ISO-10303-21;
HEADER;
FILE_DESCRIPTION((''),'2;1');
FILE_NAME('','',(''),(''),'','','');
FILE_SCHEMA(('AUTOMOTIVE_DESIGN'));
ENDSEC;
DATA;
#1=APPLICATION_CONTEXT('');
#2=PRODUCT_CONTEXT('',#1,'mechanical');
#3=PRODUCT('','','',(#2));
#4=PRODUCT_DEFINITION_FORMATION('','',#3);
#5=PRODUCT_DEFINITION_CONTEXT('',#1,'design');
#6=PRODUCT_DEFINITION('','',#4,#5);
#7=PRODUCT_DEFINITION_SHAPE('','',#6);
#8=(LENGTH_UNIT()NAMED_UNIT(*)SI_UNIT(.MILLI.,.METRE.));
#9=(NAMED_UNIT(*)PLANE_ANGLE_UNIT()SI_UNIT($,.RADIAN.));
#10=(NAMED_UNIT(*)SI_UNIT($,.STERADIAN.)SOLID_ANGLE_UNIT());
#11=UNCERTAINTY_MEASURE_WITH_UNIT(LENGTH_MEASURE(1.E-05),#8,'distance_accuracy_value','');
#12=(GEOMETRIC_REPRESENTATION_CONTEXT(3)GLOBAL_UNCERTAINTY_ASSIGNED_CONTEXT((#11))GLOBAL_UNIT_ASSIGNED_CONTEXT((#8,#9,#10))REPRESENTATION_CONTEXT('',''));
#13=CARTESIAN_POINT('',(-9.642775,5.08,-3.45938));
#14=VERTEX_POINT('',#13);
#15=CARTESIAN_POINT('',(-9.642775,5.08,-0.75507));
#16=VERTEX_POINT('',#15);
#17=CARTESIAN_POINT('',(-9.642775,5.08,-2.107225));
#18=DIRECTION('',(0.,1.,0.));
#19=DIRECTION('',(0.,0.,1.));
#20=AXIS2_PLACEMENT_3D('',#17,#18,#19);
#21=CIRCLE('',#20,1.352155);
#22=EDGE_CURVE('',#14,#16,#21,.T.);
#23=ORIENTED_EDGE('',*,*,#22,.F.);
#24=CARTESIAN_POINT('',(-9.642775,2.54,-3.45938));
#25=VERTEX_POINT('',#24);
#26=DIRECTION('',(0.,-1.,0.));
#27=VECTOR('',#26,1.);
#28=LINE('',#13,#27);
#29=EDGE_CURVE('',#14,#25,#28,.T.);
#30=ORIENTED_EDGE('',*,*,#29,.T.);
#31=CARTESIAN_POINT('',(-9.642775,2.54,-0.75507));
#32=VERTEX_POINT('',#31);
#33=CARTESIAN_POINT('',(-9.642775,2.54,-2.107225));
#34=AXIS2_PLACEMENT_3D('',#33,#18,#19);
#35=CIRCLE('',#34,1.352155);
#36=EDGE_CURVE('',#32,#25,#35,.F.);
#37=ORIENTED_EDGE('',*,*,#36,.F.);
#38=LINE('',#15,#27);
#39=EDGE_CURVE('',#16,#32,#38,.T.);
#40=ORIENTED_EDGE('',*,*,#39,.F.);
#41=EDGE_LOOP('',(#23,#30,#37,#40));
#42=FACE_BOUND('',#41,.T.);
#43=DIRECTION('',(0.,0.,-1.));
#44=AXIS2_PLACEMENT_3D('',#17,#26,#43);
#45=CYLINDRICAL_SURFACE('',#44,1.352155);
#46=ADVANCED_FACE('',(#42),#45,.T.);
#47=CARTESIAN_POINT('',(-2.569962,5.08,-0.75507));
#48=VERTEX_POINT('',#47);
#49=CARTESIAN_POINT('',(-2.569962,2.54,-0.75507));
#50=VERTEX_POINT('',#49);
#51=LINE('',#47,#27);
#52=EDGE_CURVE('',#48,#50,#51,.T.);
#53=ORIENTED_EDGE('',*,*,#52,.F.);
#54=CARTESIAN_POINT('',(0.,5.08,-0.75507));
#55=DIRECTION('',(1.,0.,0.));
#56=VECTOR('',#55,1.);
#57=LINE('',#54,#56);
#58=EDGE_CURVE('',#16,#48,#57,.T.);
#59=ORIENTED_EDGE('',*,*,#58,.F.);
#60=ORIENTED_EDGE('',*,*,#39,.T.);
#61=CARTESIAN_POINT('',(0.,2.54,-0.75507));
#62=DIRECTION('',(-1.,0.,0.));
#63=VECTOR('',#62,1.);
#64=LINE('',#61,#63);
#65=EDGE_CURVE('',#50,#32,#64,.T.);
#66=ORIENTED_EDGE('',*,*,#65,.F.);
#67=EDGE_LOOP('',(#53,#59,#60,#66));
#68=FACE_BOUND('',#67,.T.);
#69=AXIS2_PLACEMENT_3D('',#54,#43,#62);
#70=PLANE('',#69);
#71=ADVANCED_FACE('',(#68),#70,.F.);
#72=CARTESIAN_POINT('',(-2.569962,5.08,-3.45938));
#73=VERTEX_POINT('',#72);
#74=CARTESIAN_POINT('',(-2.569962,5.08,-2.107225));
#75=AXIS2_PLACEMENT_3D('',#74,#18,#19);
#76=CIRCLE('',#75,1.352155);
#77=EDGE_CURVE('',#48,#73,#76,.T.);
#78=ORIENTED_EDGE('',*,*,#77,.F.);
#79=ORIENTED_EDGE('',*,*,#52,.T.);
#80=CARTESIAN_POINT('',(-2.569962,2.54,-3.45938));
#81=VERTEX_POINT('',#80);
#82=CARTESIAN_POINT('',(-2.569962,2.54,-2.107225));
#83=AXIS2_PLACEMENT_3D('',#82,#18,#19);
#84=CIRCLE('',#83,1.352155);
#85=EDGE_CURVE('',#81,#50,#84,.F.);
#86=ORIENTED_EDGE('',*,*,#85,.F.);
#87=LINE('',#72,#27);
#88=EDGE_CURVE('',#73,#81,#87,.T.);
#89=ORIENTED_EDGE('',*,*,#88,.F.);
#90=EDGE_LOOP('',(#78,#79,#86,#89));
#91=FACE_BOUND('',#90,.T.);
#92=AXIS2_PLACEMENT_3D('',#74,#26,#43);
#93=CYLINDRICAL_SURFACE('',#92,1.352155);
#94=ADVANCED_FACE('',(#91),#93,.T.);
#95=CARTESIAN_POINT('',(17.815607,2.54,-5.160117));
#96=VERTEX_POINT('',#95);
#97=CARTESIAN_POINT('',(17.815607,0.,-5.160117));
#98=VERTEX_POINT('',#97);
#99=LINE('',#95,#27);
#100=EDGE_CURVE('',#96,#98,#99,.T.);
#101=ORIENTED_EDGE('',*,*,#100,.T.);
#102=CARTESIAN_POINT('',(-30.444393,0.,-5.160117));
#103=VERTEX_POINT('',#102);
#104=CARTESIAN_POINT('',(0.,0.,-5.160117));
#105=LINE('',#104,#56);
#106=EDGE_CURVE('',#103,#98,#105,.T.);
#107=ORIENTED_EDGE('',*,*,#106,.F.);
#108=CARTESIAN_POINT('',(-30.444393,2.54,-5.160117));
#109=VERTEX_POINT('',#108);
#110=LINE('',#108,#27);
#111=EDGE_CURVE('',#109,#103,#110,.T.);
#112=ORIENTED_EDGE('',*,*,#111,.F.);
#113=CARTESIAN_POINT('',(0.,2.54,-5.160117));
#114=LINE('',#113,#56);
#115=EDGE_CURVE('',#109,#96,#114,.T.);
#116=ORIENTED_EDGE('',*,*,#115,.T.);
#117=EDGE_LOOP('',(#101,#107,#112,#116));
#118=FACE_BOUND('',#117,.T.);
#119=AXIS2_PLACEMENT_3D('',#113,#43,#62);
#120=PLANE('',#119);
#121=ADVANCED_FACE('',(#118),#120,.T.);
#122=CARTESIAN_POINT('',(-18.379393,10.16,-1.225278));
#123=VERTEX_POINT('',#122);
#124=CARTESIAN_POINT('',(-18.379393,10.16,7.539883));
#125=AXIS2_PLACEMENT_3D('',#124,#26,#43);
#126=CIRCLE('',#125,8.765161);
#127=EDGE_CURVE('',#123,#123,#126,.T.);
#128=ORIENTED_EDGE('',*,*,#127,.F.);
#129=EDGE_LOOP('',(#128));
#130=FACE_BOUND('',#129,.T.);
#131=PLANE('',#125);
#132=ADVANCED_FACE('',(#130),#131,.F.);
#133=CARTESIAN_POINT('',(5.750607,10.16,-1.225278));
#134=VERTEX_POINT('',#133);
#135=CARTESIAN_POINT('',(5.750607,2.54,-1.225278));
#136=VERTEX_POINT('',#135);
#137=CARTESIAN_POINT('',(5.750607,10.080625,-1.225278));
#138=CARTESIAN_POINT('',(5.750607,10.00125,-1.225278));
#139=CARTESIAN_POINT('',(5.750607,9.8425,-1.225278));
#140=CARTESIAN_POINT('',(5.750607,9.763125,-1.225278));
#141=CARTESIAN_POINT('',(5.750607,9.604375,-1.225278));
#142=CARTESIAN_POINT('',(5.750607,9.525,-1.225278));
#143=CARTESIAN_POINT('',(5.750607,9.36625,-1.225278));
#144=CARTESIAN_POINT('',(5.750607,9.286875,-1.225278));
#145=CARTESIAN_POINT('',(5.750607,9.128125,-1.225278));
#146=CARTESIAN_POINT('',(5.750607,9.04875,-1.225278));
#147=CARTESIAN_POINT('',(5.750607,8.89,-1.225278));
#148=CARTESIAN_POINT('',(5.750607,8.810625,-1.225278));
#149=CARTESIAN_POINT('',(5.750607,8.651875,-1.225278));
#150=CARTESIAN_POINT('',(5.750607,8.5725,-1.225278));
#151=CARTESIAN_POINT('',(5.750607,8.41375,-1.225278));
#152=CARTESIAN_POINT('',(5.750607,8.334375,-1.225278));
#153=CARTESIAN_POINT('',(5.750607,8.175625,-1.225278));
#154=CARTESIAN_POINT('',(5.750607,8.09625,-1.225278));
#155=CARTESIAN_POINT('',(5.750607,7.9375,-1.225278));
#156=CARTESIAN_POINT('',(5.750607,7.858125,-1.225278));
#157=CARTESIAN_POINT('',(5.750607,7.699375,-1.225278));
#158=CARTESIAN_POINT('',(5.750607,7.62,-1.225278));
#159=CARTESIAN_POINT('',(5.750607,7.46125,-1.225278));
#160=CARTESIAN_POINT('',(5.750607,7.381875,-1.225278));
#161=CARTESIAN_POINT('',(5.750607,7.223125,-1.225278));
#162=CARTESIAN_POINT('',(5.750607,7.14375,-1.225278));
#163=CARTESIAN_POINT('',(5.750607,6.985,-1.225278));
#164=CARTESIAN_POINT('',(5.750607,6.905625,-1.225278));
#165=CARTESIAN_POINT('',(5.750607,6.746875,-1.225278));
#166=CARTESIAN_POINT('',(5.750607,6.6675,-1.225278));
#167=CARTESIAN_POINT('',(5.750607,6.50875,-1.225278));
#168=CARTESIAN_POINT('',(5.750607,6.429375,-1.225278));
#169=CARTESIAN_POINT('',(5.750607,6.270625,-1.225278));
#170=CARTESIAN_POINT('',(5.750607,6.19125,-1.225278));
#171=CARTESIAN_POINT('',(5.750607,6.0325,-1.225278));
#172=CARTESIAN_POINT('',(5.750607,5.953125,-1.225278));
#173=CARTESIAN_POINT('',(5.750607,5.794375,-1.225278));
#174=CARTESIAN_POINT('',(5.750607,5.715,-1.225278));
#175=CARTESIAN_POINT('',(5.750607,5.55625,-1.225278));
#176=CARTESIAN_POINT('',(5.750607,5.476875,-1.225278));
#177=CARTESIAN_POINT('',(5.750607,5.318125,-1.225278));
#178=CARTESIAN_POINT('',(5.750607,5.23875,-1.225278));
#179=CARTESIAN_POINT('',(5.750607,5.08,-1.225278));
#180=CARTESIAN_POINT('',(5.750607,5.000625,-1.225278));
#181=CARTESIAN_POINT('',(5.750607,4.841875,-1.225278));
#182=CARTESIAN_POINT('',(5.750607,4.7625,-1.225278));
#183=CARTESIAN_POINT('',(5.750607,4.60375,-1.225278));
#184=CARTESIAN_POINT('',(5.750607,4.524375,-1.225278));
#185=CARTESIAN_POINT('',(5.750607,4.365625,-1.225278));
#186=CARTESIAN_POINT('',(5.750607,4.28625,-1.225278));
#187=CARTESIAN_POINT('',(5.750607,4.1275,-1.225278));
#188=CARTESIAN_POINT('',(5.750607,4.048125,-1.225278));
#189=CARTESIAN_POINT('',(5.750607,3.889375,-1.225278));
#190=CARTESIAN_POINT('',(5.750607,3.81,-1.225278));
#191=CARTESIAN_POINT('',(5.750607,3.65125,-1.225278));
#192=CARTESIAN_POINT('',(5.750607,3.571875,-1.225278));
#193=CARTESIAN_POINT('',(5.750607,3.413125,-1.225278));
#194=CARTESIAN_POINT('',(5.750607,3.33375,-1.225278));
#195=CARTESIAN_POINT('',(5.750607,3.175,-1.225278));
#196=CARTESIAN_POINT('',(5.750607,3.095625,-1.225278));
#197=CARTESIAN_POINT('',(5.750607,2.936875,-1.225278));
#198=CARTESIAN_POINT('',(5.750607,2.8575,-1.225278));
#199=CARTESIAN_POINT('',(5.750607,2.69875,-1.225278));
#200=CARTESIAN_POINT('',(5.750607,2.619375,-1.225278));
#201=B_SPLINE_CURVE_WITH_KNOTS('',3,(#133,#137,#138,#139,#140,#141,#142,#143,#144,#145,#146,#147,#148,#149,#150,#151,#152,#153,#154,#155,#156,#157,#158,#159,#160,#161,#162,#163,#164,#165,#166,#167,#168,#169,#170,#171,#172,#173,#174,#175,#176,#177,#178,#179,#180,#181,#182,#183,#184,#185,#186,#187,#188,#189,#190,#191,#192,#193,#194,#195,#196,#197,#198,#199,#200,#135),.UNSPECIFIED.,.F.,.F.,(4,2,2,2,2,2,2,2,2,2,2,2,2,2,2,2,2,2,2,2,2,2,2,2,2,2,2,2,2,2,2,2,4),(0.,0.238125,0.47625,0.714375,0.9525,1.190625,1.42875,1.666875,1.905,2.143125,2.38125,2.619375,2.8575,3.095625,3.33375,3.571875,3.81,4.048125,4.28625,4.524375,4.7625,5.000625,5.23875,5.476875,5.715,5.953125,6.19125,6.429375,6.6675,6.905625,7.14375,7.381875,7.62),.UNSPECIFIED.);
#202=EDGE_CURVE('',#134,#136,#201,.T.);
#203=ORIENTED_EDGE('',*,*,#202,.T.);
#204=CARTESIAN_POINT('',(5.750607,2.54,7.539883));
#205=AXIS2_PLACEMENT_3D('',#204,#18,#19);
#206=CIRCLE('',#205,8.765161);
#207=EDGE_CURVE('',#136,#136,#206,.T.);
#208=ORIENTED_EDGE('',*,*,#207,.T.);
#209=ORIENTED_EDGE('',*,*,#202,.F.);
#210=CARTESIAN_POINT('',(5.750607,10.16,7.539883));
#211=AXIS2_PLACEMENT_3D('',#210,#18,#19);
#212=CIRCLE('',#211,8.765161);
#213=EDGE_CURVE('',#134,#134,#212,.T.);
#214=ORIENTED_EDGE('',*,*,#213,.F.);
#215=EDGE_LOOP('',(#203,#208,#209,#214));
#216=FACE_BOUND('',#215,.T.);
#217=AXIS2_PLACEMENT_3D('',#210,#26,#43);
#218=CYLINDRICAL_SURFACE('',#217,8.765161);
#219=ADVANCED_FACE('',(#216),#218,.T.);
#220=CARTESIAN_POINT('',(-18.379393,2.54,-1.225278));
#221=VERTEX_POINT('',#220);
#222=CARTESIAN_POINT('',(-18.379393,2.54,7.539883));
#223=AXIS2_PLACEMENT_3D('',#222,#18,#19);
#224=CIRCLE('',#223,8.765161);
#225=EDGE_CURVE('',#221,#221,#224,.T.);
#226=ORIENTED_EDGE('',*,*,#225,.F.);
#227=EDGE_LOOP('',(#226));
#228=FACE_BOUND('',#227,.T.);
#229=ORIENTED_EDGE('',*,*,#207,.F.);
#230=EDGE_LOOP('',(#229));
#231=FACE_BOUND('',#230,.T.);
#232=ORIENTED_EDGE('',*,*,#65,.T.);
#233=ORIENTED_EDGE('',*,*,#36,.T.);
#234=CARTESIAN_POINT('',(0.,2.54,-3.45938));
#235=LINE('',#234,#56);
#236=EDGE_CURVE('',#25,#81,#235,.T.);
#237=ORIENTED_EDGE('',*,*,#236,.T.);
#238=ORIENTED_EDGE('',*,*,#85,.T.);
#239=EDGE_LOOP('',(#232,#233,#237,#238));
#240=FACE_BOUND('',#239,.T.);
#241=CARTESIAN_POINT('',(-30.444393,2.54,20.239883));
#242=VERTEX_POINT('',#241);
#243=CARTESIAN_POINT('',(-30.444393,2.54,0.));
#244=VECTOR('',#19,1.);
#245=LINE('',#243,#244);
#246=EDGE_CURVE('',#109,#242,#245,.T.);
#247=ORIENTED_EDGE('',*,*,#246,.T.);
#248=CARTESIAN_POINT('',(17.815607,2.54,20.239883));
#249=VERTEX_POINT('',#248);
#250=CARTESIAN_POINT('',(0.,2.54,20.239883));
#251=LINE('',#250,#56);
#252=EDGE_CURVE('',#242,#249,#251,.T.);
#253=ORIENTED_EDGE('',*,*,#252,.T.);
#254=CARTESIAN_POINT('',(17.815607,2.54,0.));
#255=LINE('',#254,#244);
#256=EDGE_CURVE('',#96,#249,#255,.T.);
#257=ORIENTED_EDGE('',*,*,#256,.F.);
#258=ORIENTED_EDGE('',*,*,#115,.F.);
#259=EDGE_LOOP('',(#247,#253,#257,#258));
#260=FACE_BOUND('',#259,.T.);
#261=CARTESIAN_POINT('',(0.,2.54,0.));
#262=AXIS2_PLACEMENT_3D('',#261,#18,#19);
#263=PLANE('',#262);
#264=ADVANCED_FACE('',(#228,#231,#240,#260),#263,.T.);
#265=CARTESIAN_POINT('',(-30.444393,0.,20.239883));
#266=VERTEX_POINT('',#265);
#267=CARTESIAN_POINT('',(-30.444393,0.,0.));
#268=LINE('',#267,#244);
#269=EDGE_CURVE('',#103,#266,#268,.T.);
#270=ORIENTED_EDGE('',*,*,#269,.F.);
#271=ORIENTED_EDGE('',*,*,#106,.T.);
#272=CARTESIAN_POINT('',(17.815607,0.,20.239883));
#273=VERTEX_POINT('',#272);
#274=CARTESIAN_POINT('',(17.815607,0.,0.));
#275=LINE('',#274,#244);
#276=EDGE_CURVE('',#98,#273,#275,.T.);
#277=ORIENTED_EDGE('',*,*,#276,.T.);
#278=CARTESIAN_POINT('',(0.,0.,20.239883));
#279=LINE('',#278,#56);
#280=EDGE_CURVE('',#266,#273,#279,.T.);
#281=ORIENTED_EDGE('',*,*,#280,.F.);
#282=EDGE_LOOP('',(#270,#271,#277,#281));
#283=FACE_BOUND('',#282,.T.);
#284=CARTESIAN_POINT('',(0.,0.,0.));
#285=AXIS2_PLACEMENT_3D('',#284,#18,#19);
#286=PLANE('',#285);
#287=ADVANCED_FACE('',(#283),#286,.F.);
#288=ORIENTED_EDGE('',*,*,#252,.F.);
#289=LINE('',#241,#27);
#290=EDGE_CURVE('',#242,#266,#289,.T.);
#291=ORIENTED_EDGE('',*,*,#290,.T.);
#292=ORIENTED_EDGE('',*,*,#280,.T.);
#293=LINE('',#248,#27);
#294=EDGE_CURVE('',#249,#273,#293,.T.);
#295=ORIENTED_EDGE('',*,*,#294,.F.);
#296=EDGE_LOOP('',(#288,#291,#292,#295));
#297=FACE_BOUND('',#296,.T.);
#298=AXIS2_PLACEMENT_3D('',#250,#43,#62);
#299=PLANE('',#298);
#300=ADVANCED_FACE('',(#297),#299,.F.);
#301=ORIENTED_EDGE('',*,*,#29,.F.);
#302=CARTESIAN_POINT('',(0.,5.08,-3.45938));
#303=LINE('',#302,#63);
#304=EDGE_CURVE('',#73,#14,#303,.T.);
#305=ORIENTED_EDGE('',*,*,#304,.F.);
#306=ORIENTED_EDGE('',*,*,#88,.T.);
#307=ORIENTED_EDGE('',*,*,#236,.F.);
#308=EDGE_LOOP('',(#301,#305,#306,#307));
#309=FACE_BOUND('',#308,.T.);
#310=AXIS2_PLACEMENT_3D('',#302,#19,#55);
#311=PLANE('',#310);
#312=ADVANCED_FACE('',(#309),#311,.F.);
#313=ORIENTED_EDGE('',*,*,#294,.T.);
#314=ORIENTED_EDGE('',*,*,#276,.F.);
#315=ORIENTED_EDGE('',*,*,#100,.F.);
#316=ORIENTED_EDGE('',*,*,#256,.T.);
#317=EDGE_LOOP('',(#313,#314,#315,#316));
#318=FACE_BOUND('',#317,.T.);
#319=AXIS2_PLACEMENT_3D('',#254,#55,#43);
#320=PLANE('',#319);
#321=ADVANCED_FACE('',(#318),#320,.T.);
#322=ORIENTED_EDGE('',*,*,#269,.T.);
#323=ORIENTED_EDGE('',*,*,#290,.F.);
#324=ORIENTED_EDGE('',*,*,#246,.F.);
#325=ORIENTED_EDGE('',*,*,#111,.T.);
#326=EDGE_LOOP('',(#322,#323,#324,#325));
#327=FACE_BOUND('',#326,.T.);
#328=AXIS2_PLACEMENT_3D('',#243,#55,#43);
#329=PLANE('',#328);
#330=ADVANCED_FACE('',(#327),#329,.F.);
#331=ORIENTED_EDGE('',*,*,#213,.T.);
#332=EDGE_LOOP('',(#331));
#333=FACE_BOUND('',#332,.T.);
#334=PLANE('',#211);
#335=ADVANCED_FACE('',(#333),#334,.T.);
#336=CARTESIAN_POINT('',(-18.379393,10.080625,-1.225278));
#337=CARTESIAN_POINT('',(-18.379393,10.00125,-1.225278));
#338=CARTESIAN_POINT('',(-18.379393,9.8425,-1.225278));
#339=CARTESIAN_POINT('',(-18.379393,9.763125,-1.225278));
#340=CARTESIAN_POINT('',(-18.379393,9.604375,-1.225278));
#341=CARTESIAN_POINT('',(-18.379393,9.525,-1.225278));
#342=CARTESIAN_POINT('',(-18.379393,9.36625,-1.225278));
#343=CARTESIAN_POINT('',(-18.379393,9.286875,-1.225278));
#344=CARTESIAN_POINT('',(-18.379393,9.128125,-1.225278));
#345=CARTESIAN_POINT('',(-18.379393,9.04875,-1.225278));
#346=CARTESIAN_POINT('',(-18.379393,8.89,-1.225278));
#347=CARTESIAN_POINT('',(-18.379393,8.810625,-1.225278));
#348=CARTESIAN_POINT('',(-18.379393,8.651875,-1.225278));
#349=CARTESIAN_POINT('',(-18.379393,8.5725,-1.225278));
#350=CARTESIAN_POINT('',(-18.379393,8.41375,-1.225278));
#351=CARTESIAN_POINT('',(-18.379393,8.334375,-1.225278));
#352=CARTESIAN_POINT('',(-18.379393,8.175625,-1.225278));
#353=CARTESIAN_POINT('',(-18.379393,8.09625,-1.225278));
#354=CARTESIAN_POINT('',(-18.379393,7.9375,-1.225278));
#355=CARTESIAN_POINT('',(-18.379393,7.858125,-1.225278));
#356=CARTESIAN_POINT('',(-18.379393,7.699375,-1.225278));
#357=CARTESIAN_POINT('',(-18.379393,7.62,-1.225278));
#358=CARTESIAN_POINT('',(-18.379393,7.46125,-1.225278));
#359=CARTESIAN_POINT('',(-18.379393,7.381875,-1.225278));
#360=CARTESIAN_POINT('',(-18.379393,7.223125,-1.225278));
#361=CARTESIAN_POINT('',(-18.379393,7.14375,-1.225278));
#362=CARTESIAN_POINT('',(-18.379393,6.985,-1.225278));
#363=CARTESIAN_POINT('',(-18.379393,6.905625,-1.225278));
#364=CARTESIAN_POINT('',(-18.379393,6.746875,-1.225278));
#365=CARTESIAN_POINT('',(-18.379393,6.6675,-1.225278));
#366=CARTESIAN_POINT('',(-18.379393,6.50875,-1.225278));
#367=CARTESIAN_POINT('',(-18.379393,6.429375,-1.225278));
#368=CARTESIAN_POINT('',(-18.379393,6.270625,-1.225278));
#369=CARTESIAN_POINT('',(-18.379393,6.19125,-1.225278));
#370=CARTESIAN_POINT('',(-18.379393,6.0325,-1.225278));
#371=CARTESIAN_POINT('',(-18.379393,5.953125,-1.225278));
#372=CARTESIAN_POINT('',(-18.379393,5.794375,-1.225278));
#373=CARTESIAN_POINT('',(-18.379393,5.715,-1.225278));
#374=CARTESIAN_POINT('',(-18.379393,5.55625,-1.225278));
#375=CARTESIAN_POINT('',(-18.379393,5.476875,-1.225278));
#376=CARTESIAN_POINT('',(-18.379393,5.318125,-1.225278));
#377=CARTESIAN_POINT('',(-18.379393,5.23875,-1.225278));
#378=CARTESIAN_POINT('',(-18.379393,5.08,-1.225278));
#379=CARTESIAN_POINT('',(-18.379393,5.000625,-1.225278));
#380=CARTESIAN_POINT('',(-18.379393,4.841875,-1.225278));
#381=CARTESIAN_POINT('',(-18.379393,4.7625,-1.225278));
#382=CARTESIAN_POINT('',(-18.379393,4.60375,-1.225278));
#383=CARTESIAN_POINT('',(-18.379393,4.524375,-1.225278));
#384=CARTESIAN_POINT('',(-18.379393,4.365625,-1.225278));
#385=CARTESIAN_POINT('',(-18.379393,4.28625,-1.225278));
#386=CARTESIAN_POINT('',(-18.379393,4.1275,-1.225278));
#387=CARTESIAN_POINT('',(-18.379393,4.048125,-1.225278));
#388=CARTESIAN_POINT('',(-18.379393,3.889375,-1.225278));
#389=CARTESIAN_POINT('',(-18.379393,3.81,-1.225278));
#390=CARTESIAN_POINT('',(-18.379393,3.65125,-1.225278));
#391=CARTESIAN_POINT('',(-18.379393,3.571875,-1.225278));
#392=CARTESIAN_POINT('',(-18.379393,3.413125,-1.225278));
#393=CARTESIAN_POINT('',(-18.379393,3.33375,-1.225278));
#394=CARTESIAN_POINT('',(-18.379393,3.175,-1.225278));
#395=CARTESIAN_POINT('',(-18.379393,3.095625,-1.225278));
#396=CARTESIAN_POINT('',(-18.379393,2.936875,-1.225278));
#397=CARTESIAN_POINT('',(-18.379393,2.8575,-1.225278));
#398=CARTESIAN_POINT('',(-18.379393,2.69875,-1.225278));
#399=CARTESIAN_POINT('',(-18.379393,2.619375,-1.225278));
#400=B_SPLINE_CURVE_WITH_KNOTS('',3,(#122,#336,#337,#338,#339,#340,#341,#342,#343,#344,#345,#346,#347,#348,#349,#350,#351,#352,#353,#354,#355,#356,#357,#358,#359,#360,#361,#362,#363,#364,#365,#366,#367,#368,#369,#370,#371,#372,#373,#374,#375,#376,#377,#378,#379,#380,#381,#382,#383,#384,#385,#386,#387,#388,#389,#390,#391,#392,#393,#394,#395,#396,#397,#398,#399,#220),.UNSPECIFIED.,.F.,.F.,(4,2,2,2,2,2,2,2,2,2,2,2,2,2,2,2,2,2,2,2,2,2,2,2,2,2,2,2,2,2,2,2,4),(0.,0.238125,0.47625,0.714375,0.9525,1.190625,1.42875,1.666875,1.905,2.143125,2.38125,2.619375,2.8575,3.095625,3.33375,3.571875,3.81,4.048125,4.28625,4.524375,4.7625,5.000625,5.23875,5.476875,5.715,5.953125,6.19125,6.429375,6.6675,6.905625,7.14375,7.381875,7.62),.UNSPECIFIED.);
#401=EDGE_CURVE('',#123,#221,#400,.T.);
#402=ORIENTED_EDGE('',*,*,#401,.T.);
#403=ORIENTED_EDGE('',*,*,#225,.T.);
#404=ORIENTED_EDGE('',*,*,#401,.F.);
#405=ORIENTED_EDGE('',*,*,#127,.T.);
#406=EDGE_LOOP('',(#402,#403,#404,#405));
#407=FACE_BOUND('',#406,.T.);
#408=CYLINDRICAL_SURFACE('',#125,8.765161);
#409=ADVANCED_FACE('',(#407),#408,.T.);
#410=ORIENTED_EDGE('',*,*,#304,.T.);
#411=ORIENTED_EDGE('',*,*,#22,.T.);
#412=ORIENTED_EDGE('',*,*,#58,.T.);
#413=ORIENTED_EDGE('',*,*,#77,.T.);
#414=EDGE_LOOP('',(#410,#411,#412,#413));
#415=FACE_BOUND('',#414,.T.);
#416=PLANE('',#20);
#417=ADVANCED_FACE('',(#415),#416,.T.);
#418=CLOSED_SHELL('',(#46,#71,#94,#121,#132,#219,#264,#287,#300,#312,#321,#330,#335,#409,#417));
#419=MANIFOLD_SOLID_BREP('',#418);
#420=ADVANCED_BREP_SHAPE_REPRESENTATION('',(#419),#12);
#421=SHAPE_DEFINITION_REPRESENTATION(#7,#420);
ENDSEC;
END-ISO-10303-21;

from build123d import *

# Parameters (mm, degrees)
SKETCH1_W           = 24.13
SKETCH1_H           = 25.4
SKETCH1_R           = 9.145310151
BOSS_EXTRUDE1_DEPTH = 2.54
SKETCH4_R           = 8.765161433
BOSS_EXTRUDE2_DEPTH = 7.62
BOSS_EXTRUDE3_START = -2.54
BOSS_EXTRUDE3_DEPTH = 5.08


with BuildPart() as part:
    # Sketch1 → Boss-Extrude1 (new body)
    with BuildSketch(Plane(origin=(0, 0, 0), x_dir=(1, 0, 0), z_dir=(0, 1, 0))):
        with Locations((-18.379392523, -7.539883178)):
            Rectangle(SKETCH1_W, SKETCH1_H)
        with Locations((-18.379392523, -7.539883178)):
            Circle(SKETCH1_R, mode=Mode.SUBTRACT)
        with Locations((5.750607477, -7.539883178)):
            Rectangle(SKETCH1_W, SKETCH1_H)
        with Locations((5.750607477, -7.539883178)):
            Circle(SKETCH1_R, mode=Mode.SUBTRACT)
        with Locations((5.750607477, -7.539883178)):
            Circle(SKETCH1_R)
        with Locations((-18.379392523, -7.539883178)):
            Circle(SKETCH1_R)
    extrude(amount=BOSS_EXTRUDE1_DEPTH)

    # Sketch4 → Boss-Extrude2 (add)
    with BuildSketch(Plane(origin=(0, 2.54, 0), x_dir=(1, 0, 0), z_dir=(0, 1, 0))):
        with Locations(Location((5.750607477, -7.539883178, 0), (0, 0, 90))):
            Circle(SKETCH4_R)
        with Locations(Location((-18.379392523, -7.539883178, 0), (0, 0, 90))):
            Circle(SKETCH4_R)
    extrude(amount=BOSS_EXTRUDE2_DEPTH)

    # Sketch5 → Boss-Extrude3 (add)
    with BuildSketch(Plane(origin=(0, 2.54, 0), x_dir=(1, 0, 0), z_dir=(0, 1, 0)).offset(BOSS_EXTRUDE3_START)):
        with BuildLine():
            Line((-9.642774863, 3.459380336), (-2.569962391, 3.459380336))
            ThreePointArc((-2.569962391, 3.459380336), (-1.217807066, 2.10722501), (-2.569962391, 0.755069685))
            Line((-2.569962391, 0.755069685), (-9.642774863, 0.755069685))
            ThreePointArc((-9.642774863, 0.755069685), (-10.994930189, 2.10722501), (-9.642774863, 3.459380336))
        make_face()
    extrude(amount=BOSS_EXTRUDE3_DEPTH)


solid = part.part
